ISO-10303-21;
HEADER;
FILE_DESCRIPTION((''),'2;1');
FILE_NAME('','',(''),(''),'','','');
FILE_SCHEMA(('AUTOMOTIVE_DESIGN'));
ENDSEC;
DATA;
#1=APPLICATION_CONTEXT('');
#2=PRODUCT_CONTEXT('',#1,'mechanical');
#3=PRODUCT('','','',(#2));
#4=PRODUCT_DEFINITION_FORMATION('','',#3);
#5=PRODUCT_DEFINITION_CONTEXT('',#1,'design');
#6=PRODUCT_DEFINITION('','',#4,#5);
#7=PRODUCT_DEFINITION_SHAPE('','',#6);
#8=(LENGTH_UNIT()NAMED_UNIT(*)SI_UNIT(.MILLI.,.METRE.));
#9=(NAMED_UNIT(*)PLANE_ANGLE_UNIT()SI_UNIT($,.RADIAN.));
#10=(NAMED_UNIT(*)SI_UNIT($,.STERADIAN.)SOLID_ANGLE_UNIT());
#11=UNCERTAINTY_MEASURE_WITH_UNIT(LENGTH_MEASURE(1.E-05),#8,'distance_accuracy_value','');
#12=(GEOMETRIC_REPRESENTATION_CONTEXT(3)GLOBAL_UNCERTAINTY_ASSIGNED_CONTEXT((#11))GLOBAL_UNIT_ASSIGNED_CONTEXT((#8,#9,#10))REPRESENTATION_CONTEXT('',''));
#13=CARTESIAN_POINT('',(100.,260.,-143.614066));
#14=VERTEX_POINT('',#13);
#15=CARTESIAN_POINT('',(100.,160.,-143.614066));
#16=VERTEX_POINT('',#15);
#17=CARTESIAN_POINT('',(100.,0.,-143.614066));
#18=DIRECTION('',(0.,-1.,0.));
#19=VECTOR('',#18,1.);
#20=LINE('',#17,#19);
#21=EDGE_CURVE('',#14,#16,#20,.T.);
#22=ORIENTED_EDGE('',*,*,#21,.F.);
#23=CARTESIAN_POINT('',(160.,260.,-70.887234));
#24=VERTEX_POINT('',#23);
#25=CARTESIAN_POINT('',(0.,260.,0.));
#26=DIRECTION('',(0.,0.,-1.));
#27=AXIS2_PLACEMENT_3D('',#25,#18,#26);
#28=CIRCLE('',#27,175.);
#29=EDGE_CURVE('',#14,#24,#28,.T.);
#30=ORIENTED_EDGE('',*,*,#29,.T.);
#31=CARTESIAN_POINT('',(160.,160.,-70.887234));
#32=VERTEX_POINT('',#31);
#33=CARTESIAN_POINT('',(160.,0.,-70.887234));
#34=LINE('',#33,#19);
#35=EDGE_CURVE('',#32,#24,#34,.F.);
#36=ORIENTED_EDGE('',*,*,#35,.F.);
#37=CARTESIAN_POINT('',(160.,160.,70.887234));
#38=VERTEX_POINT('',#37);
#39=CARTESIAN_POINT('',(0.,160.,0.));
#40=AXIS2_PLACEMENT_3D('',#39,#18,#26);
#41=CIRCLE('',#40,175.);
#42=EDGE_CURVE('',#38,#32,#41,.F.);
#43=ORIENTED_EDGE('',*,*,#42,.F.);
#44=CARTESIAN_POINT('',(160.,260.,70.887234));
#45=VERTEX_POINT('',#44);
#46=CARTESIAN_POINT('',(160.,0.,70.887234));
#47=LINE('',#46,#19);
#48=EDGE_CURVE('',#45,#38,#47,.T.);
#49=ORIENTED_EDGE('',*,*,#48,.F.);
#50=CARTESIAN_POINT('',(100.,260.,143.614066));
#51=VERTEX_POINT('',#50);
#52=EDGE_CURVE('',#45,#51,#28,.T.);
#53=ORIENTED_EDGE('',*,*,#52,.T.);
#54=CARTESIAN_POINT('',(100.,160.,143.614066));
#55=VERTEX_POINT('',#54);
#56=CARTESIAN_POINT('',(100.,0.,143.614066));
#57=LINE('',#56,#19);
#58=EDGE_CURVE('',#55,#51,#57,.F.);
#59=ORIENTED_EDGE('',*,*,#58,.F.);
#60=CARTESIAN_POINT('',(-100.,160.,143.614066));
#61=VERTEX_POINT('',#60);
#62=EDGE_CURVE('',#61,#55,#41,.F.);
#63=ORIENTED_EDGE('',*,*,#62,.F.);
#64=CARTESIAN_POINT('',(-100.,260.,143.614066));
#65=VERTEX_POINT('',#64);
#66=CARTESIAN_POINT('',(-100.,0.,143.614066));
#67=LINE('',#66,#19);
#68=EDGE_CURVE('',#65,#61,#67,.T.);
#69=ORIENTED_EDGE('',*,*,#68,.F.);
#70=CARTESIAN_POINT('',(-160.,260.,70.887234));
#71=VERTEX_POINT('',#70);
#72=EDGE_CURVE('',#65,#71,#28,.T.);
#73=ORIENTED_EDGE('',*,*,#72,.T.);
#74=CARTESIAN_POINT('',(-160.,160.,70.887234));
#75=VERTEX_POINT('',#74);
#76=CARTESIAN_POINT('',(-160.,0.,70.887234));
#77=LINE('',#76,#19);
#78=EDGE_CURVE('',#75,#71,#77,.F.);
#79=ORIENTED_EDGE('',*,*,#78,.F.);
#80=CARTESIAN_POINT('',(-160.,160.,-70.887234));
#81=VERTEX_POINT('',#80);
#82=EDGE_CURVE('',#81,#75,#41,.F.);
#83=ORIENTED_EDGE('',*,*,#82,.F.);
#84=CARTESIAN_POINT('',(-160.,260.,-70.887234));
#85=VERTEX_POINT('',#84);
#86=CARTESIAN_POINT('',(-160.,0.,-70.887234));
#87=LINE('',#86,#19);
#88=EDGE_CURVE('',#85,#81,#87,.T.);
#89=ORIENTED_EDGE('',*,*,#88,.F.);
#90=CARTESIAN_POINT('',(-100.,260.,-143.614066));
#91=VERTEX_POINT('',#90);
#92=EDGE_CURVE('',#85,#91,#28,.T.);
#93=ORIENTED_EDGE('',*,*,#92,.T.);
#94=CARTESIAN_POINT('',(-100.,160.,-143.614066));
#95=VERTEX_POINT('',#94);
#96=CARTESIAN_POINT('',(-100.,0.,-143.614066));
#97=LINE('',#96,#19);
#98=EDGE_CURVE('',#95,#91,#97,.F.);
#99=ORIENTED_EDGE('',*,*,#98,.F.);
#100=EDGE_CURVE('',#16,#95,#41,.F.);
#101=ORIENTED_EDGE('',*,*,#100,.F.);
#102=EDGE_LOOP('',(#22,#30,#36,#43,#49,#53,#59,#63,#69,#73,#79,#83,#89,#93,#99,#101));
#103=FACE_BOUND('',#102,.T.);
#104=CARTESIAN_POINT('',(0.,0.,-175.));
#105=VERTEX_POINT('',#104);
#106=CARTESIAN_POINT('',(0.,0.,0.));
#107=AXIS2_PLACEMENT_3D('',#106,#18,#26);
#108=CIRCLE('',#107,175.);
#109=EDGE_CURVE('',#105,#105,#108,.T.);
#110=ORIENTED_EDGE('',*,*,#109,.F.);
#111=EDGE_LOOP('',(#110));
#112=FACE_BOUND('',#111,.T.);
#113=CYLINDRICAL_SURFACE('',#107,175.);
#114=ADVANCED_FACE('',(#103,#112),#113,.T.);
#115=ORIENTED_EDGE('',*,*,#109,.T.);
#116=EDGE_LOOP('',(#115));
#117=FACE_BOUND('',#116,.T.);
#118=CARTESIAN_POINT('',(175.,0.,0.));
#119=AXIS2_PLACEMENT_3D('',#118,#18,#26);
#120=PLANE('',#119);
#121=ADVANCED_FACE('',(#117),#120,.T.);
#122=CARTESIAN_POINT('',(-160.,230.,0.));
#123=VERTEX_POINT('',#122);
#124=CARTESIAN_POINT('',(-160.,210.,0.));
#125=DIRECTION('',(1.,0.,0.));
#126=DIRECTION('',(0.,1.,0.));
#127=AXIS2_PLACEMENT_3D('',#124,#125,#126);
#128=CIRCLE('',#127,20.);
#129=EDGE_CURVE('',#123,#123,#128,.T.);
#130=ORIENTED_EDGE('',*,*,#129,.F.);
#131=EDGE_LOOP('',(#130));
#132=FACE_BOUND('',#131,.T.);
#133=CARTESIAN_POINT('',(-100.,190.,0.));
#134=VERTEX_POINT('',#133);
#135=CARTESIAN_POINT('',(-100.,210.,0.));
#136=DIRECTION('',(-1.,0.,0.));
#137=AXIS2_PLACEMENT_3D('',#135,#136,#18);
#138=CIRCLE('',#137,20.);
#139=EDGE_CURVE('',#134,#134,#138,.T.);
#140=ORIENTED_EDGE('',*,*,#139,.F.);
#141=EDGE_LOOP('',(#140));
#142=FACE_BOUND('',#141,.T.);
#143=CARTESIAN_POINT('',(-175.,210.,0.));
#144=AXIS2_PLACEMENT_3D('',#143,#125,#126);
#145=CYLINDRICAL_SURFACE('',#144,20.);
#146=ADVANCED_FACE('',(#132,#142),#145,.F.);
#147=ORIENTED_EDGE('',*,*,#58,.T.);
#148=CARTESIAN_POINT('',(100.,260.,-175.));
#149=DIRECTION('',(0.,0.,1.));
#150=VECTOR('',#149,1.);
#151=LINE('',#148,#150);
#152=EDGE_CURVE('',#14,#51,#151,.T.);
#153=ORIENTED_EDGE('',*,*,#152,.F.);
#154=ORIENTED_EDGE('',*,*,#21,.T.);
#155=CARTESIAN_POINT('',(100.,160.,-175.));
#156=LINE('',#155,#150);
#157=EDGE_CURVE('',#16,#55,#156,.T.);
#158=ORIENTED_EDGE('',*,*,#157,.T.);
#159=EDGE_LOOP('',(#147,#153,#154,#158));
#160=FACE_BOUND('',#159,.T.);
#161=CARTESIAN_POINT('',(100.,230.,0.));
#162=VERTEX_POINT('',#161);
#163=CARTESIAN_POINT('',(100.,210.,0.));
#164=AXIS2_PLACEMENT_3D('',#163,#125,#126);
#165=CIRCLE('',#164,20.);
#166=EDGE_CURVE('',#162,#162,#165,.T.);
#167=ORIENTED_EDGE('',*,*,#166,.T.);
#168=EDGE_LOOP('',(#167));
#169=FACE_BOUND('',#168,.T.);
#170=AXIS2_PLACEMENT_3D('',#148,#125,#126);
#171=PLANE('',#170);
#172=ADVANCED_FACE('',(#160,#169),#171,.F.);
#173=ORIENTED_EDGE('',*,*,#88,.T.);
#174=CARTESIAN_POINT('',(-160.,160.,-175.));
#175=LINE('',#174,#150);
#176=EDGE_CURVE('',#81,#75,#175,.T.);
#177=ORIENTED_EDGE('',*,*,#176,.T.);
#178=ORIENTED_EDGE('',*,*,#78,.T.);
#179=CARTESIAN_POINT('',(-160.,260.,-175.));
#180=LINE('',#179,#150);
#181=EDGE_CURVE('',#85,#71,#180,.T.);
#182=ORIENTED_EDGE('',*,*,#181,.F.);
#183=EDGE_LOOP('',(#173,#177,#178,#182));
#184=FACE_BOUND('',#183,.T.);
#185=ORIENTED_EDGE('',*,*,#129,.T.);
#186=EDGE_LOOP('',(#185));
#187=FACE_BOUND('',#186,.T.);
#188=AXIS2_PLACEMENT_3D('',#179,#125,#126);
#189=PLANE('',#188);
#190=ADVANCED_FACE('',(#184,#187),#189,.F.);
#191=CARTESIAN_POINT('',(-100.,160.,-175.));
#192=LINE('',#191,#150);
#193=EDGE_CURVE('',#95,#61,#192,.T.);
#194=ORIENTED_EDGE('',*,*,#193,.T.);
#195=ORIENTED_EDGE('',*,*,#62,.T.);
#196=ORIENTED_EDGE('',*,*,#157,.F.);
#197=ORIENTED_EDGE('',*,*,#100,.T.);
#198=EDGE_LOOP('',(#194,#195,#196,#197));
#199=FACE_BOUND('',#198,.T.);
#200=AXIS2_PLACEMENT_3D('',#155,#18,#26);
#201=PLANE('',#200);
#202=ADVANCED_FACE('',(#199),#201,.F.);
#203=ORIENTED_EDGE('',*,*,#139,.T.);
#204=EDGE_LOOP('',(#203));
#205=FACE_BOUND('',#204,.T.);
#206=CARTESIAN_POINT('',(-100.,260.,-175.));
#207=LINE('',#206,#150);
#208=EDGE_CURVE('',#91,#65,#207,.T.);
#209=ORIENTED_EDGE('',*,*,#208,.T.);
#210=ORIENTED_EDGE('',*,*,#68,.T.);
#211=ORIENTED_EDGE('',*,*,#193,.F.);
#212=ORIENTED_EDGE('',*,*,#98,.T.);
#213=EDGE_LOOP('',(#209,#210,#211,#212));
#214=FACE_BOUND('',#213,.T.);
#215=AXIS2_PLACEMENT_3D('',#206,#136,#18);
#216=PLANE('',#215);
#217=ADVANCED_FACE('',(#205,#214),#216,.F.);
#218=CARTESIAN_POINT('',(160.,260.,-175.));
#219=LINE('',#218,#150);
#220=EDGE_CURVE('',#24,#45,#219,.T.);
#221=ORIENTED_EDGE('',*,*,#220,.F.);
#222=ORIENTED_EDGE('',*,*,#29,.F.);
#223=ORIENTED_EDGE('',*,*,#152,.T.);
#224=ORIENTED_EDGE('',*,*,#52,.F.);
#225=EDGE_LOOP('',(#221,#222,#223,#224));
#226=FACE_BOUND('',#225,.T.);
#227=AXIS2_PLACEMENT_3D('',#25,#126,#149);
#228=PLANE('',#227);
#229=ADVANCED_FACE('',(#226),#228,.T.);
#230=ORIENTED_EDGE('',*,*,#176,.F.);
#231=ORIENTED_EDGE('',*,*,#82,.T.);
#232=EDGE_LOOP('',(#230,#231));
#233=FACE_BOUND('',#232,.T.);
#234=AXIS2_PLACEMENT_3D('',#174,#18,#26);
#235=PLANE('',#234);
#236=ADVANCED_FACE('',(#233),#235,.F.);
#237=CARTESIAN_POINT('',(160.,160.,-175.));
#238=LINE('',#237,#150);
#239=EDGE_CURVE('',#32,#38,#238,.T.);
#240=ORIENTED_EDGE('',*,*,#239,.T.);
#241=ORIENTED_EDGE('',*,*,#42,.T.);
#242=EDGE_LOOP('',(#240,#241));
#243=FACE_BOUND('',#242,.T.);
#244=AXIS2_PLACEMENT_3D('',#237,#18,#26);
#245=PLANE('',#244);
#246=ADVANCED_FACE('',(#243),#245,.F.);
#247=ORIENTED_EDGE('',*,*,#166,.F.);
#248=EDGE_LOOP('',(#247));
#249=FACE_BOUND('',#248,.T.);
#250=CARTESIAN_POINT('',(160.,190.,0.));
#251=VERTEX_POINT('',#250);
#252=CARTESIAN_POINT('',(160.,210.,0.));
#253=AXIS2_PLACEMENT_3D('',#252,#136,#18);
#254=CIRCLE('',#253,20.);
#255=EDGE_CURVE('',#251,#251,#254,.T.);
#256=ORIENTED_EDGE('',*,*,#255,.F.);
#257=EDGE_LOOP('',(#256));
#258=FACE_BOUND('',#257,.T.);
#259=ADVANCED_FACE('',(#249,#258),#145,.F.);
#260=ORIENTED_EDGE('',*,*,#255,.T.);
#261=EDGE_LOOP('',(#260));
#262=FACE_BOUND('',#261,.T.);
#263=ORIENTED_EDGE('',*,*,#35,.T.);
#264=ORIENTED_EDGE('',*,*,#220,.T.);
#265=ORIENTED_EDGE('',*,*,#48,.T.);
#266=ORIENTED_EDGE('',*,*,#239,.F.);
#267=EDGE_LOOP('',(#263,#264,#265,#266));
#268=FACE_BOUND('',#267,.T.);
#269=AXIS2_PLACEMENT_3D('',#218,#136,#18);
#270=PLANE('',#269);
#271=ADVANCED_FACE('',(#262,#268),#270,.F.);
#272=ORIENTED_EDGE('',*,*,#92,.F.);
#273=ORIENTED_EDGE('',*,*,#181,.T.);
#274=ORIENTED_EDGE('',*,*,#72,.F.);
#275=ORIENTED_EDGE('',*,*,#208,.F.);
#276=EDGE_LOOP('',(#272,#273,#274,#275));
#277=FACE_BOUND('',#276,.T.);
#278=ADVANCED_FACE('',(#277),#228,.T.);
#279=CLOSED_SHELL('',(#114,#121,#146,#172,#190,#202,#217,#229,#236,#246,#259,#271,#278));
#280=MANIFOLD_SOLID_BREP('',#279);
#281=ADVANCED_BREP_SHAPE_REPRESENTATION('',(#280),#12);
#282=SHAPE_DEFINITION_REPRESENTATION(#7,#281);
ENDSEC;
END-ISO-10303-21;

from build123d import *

# Parameters (mm, degrees)
ESBO_O1_W                  = 175
ESBO_O1_H                  = 260
ESBO_O2_W                  = 200
ESBO_O2_H                  = 100
ESBO_O2_W_2                = 15
CORTE_EXTRUS_O1_DEPTH      = 176
CORTE_EXTRUS_O1_DEPTH_BACK = 176
ESBO_O3_R                  = 20
CORTE_EXTRUS_O2_DEPTH      = 16
CORTE_EXTRUS_O2_DEPTH_BACK = 336


with BuildPart() as part:
    # Esboço1 → Revolução1 (revolve)
    with BuildSketch(Plane.XY):
        with Locations((87.5, 130)):
            Rectangle(ESBO_O1_W, ESBO_O1_H)
    revolve(axis=Axis((0, 0, 0), (0, 1, 0)))

    # Esboço2 → Corte-extrusão1 (cut, two sides)
    with BuildSketch(Plane.XY) as corte_extrus_o1_sk:
        with Locations((0, 210)):
            Rectangle(ESBO_O2_W, ESBO_O2_H)
        with Locations((167.5, 210)):
            Rectangle(ESBO_O2_W_2, ESBO_O2_H)
        with Locations((-167.5, 210)):
            Rectangle(ESBO_O2_W_2, ESBO_O2_H)
    extrude(amount=CORTE_EXTRUS_O1_DEPTH, mode=Mode.SUBTRACT)
    extrude(corte_extrus_o1_sk.sketch, amount=-CORTE_EXTRUS_O1_DEPTH_BACK, mode=Mode.SUBTRACT)

    # Esboço3 → Corte-extrusão2 (cut, two sides)
    with BuildSketch(Plane(origin=(160, 0, 0), x_dir=(0, 0, -1), z_dir=(1, 0, 0))) as corte_extrus_o2_sk:
        with Locations((0, 210)):
            Circle(ESBO_O3_R)
    extrude(amount=CORTE_EXTRUS_O2_DEPTH, mode=Mode.SUBTRACT)
    extrude(corte_extrus_o2_sk.sketch, amount=-CORTE_EXTRUS_O2_DEPTH_BACK, mode=Mode.SUBTRACT)


solid = part.part
